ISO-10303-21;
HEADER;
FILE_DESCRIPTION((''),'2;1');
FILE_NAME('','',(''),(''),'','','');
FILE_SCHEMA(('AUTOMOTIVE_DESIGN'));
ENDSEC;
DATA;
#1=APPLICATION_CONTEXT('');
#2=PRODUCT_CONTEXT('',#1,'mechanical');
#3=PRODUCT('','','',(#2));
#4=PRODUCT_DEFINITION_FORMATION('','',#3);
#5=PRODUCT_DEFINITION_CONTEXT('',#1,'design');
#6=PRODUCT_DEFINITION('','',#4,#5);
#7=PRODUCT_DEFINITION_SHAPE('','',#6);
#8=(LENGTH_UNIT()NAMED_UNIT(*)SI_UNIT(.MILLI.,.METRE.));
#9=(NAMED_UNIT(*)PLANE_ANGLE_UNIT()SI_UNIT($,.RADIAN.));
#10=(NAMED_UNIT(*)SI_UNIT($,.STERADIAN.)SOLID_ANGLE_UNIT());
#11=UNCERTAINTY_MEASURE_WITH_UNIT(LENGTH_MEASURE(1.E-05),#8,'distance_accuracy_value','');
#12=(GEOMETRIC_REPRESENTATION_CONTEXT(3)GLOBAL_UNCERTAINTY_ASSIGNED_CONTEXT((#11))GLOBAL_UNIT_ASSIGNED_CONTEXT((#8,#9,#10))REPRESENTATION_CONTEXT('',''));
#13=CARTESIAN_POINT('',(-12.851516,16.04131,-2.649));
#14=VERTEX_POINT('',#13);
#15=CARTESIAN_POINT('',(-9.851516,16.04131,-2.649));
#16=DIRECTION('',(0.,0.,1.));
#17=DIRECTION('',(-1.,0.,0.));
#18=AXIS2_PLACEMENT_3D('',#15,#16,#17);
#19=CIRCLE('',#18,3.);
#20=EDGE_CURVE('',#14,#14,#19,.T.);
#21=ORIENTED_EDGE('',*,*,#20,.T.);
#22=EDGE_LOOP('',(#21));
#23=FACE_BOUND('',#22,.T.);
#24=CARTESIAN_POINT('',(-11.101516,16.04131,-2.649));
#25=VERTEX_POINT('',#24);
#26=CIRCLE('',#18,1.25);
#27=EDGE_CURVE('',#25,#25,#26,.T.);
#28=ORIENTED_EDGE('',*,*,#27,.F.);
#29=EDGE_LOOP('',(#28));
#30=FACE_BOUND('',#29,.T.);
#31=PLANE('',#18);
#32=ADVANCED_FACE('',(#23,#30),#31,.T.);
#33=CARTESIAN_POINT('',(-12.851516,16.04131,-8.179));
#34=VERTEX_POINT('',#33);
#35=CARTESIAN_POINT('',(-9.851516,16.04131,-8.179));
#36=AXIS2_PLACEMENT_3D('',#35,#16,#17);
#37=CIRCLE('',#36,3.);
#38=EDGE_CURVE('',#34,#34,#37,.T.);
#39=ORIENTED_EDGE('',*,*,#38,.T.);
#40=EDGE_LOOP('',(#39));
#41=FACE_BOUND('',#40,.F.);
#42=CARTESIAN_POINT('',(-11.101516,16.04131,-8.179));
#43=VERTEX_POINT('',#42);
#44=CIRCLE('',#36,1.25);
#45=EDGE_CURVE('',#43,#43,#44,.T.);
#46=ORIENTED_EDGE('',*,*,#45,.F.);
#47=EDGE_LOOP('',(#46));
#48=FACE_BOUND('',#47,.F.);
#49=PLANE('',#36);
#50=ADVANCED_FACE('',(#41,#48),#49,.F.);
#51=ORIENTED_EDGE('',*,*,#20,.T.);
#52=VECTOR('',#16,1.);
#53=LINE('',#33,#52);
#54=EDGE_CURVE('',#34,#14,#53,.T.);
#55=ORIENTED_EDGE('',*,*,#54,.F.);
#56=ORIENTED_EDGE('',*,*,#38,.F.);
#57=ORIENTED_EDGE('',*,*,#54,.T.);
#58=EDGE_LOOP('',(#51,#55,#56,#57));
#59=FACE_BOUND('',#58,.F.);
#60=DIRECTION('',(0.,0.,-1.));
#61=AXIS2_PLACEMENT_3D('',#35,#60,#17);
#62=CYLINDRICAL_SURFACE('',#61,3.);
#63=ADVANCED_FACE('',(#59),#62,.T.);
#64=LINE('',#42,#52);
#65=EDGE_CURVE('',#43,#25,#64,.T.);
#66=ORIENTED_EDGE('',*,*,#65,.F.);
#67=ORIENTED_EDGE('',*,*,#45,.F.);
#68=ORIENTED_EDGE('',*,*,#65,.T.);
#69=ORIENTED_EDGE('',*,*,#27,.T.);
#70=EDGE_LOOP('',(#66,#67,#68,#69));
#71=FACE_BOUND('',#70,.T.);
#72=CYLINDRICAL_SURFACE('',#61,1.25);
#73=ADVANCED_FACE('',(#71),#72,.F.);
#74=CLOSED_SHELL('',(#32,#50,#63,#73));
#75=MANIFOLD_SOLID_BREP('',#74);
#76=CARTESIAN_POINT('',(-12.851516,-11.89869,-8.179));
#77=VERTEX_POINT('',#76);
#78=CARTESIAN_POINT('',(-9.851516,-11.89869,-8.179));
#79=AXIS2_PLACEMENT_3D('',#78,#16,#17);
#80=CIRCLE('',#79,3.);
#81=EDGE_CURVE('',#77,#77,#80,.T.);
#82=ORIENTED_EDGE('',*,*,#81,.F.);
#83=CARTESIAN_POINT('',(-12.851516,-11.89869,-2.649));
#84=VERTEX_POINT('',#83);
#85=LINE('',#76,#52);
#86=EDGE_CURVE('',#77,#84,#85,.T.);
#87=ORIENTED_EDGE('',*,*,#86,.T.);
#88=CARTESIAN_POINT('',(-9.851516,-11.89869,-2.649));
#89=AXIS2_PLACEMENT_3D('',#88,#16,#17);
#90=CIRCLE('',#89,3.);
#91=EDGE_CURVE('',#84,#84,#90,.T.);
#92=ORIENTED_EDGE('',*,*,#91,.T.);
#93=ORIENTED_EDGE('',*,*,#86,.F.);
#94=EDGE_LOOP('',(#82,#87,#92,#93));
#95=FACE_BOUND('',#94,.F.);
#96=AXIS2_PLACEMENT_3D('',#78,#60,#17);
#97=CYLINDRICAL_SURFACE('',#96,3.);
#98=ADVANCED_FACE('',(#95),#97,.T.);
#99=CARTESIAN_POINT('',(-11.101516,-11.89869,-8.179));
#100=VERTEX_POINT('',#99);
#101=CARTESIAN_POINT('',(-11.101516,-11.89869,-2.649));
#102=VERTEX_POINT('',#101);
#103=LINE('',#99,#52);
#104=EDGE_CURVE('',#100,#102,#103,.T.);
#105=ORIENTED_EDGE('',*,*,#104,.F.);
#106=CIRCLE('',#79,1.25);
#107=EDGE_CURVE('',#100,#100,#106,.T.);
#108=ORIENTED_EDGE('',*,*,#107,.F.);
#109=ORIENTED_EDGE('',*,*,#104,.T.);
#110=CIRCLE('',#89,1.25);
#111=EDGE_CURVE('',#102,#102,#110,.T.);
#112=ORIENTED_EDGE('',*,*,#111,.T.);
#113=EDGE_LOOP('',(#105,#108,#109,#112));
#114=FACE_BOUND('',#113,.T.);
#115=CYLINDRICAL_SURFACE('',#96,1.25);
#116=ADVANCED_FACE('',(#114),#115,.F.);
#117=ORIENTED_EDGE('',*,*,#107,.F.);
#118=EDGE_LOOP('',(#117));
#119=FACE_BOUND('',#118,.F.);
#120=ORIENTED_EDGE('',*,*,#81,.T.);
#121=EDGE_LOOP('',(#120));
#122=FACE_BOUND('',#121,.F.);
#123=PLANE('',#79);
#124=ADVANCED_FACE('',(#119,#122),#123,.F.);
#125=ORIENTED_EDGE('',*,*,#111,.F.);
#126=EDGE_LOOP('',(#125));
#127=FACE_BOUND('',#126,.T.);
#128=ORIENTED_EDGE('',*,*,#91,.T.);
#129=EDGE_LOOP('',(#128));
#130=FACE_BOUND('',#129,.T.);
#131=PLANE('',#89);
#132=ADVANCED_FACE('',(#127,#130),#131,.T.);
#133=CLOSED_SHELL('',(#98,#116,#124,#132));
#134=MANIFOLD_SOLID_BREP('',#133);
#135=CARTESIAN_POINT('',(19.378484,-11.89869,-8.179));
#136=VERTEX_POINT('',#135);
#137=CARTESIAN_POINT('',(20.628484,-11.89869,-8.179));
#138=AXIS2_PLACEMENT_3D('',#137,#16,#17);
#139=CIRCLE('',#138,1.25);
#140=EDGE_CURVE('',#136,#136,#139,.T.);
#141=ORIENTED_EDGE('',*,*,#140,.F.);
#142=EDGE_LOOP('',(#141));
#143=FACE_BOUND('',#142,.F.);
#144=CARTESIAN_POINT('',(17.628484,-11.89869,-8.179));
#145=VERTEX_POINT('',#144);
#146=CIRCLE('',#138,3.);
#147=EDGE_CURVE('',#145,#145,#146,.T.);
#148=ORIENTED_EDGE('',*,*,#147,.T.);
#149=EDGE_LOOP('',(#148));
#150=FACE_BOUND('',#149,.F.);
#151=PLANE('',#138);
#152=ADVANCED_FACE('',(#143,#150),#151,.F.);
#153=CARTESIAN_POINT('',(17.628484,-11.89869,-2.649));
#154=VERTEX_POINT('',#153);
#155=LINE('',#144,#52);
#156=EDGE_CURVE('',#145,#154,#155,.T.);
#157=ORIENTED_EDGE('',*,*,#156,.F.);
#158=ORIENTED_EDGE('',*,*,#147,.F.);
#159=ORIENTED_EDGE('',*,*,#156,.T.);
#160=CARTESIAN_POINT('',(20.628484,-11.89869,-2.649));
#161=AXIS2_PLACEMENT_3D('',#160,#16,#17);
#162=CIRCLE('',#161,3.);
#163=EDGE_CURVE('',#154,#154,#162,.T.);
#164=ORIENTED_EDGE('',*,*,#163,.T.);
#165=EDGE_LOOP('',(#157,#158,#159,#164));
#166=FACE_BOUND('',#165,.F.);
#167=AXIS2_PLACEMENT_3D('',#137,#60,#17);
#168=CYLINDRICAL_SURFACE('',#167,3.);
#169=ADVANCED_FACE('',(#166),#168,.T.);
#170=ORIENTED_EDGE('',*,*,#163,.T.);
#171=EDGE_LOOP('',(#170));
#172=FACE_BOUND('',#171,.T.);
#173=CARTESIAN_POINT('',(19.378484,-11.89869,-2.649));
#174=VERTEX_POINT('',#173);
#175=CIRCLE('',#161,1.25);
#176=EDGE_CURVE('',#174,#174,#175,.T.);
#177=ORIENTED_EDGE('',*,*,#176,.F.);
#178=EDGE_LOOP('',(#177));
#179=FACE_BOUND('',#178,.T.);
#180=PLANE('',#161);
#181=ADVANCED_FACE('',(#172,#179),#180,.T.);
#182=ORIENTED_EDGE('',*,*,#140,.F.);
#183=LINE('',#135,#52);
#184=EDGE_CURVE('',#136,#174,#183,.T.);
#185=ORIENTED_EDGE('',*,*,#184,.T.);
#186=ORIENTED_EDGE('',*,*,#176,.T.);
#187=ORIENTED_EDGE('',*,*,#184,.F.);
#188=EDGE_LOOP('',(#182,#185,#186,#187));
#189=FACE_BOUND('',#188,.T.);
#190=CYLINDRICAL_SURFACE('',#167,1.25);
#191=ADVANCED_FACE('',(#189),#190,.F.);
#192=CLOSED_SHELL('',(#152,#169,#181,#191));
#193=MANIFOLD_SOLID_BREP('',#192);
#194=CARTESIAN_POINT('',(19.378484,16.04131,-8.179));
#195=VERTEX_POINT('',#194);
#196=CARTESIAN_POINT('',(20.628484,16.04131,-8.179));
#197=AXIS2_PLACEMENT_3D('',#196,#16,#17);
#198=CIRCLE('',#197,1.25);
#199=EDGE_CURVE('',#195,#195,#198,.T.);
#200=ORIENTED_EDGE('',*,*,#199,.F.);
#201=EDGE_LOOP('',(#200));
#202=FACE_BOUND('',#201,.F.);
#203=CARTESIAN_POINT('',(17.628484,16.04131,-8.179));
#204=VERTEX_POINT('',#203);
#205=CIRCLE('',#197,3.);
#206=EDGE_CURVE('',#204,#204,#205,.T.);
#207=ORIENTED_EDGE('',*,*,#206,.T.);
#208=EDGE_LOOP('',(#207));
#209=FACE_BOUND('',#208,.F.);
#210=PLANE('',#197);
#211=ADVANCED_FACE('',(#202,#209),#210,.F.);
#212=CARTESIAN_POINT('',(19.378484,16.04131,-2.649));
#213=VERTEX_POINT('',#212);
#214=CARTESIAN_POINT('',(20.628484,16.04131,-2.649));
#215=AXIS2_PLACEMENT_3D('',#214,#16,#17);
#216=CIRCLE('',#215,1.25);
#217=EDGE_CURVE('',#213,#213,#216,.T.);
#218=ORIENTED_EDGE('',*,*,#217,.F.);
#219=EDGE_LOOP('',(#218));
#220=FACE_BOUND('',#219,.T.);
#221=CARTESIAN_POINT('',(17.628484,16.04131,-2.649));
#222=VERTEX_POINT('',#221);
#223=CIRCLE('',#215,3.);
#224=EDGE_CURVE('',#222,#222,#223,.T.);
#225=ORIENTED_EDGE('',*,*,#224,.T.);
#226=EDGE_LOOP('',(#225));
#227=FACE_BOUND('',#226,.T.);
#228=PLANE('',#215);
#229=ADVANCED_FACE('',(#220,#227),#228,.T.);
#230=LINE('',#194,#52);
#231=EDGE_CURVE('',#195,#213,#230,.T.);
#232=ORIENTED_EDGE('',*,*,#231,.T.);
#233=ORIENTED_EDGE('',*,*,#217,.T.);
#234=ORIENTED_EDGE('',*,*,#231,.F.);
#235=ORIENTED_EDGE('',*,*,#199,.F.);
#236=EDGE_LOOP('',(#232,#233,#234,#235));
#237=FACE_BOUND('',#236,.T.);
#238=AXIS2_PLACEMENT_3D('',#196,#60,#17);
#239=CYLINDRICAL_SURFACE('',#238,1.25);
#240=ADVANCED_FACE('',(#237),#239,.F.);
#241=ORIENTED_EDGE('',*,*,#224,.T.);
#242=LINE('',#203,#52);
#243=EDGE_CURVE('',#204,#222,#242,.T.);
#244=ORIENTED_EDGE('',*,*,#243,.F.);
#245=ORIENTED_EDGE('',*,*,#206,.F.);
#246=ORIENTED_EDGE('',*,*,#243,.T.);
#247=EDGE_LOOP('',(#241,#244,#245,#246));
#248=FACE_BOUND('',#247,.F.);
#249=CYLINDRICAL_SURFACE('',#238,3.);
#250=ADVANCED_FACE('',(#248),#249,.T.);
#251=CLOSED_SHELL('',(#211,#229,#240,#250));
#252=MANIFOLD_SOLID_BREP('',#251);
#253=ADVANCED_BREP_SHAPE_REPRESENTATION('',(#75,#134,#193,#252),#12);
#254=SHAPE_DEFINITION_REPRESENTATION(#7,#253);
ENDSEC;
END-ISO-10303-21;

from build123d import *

# Parameters (mm, degrees)
SKETCH2_R             = 3
SKETCH2_R_2           = 1.25
BOSS_EXTRUDE2_DEPTH   = 5.53
BOSS_EXTRUDE2_2_DEPTH = 5.53
BOSS_EXTRUDE2_3_DEPTH = 5.53
BOSS_EXTRUDE2_4_DEPTH = 5.53


with BuildPart() as part:
    # Sketch2 → Boss-Extrude2 (new body)
    with BuildSketch(Plane.XY.offset(-8.179)):
        with Locations(Location((20.628484132, -11.898689855, 0), (0, 0, 180))):
            Circle(SKETCH2_R)
        with Locations(Location((20.628484132, -11.898689855, 0), (0, 0, 180))):
            Circle(SKETCH2_R_2, mode=Mode.SUBTRACT)
    extrude(amount=BOSS_EXTRUDE2_DEPTH)


with BuildPart() as body_2:
    # Sketch2 → Boss-Extrude2 2 (new body)
    with BuildSketch(Plane.XY.offset(-8.179)):
        with Locations(Location((-9.851515868, -11.898689855, 0), (0, 0, 180))):
            Circle(SKETCH2_R)
        with Locations(Location((-9.851515868, -11.898689855, 0), (0, 0, 180))):
            Circle(SKETCH2_R_2, mode=Mode.SUBTRACT)
    extrude(amount=BOSS_EXTRUDE2_2_DEPTH)


with BuildPart() as body_3:
    # Sketch2 → Boss-Extrude2 3 (new body)
    with BuildSketch(Plane.XY.offset(-8.179)):
        with Locations(Location((-9.851515868, 16.041310145, 0), (0, 0, 180))):
            Circle(SKETCH2_R)
        with Locations(Location((-9.851515868, 16.041310145, 0), (0, 0, 180))):
            Circle(SKETCH2_R_2, mode=Mode.SUBTRACT)
    extrude(amount=BOSS_EXTRUDE2_3_DEPTH)


with BuildPart() as body_4:
    # Sketch2 → Boss-Extrude2 4 (new body)
    with BuildSketch(Plane.XY.offset(-8.179)):
        with Locations(Location((20.628484132, 16.041310145, 0), (0, 0, 180))):
            Circle(SKETCH2_R)
        with Locations(Location((20.628484132, 16.041310145, 0), (0, 0, 180))):
            Circle(SKETCH2_R_2, mode=Mode.SUBTRACT)
    extrude(amount=BOSS_EXTRUDE2_4_DEPTH)


solid = Compound([part.part, body_2.part, body_3.part, body_4.part])
